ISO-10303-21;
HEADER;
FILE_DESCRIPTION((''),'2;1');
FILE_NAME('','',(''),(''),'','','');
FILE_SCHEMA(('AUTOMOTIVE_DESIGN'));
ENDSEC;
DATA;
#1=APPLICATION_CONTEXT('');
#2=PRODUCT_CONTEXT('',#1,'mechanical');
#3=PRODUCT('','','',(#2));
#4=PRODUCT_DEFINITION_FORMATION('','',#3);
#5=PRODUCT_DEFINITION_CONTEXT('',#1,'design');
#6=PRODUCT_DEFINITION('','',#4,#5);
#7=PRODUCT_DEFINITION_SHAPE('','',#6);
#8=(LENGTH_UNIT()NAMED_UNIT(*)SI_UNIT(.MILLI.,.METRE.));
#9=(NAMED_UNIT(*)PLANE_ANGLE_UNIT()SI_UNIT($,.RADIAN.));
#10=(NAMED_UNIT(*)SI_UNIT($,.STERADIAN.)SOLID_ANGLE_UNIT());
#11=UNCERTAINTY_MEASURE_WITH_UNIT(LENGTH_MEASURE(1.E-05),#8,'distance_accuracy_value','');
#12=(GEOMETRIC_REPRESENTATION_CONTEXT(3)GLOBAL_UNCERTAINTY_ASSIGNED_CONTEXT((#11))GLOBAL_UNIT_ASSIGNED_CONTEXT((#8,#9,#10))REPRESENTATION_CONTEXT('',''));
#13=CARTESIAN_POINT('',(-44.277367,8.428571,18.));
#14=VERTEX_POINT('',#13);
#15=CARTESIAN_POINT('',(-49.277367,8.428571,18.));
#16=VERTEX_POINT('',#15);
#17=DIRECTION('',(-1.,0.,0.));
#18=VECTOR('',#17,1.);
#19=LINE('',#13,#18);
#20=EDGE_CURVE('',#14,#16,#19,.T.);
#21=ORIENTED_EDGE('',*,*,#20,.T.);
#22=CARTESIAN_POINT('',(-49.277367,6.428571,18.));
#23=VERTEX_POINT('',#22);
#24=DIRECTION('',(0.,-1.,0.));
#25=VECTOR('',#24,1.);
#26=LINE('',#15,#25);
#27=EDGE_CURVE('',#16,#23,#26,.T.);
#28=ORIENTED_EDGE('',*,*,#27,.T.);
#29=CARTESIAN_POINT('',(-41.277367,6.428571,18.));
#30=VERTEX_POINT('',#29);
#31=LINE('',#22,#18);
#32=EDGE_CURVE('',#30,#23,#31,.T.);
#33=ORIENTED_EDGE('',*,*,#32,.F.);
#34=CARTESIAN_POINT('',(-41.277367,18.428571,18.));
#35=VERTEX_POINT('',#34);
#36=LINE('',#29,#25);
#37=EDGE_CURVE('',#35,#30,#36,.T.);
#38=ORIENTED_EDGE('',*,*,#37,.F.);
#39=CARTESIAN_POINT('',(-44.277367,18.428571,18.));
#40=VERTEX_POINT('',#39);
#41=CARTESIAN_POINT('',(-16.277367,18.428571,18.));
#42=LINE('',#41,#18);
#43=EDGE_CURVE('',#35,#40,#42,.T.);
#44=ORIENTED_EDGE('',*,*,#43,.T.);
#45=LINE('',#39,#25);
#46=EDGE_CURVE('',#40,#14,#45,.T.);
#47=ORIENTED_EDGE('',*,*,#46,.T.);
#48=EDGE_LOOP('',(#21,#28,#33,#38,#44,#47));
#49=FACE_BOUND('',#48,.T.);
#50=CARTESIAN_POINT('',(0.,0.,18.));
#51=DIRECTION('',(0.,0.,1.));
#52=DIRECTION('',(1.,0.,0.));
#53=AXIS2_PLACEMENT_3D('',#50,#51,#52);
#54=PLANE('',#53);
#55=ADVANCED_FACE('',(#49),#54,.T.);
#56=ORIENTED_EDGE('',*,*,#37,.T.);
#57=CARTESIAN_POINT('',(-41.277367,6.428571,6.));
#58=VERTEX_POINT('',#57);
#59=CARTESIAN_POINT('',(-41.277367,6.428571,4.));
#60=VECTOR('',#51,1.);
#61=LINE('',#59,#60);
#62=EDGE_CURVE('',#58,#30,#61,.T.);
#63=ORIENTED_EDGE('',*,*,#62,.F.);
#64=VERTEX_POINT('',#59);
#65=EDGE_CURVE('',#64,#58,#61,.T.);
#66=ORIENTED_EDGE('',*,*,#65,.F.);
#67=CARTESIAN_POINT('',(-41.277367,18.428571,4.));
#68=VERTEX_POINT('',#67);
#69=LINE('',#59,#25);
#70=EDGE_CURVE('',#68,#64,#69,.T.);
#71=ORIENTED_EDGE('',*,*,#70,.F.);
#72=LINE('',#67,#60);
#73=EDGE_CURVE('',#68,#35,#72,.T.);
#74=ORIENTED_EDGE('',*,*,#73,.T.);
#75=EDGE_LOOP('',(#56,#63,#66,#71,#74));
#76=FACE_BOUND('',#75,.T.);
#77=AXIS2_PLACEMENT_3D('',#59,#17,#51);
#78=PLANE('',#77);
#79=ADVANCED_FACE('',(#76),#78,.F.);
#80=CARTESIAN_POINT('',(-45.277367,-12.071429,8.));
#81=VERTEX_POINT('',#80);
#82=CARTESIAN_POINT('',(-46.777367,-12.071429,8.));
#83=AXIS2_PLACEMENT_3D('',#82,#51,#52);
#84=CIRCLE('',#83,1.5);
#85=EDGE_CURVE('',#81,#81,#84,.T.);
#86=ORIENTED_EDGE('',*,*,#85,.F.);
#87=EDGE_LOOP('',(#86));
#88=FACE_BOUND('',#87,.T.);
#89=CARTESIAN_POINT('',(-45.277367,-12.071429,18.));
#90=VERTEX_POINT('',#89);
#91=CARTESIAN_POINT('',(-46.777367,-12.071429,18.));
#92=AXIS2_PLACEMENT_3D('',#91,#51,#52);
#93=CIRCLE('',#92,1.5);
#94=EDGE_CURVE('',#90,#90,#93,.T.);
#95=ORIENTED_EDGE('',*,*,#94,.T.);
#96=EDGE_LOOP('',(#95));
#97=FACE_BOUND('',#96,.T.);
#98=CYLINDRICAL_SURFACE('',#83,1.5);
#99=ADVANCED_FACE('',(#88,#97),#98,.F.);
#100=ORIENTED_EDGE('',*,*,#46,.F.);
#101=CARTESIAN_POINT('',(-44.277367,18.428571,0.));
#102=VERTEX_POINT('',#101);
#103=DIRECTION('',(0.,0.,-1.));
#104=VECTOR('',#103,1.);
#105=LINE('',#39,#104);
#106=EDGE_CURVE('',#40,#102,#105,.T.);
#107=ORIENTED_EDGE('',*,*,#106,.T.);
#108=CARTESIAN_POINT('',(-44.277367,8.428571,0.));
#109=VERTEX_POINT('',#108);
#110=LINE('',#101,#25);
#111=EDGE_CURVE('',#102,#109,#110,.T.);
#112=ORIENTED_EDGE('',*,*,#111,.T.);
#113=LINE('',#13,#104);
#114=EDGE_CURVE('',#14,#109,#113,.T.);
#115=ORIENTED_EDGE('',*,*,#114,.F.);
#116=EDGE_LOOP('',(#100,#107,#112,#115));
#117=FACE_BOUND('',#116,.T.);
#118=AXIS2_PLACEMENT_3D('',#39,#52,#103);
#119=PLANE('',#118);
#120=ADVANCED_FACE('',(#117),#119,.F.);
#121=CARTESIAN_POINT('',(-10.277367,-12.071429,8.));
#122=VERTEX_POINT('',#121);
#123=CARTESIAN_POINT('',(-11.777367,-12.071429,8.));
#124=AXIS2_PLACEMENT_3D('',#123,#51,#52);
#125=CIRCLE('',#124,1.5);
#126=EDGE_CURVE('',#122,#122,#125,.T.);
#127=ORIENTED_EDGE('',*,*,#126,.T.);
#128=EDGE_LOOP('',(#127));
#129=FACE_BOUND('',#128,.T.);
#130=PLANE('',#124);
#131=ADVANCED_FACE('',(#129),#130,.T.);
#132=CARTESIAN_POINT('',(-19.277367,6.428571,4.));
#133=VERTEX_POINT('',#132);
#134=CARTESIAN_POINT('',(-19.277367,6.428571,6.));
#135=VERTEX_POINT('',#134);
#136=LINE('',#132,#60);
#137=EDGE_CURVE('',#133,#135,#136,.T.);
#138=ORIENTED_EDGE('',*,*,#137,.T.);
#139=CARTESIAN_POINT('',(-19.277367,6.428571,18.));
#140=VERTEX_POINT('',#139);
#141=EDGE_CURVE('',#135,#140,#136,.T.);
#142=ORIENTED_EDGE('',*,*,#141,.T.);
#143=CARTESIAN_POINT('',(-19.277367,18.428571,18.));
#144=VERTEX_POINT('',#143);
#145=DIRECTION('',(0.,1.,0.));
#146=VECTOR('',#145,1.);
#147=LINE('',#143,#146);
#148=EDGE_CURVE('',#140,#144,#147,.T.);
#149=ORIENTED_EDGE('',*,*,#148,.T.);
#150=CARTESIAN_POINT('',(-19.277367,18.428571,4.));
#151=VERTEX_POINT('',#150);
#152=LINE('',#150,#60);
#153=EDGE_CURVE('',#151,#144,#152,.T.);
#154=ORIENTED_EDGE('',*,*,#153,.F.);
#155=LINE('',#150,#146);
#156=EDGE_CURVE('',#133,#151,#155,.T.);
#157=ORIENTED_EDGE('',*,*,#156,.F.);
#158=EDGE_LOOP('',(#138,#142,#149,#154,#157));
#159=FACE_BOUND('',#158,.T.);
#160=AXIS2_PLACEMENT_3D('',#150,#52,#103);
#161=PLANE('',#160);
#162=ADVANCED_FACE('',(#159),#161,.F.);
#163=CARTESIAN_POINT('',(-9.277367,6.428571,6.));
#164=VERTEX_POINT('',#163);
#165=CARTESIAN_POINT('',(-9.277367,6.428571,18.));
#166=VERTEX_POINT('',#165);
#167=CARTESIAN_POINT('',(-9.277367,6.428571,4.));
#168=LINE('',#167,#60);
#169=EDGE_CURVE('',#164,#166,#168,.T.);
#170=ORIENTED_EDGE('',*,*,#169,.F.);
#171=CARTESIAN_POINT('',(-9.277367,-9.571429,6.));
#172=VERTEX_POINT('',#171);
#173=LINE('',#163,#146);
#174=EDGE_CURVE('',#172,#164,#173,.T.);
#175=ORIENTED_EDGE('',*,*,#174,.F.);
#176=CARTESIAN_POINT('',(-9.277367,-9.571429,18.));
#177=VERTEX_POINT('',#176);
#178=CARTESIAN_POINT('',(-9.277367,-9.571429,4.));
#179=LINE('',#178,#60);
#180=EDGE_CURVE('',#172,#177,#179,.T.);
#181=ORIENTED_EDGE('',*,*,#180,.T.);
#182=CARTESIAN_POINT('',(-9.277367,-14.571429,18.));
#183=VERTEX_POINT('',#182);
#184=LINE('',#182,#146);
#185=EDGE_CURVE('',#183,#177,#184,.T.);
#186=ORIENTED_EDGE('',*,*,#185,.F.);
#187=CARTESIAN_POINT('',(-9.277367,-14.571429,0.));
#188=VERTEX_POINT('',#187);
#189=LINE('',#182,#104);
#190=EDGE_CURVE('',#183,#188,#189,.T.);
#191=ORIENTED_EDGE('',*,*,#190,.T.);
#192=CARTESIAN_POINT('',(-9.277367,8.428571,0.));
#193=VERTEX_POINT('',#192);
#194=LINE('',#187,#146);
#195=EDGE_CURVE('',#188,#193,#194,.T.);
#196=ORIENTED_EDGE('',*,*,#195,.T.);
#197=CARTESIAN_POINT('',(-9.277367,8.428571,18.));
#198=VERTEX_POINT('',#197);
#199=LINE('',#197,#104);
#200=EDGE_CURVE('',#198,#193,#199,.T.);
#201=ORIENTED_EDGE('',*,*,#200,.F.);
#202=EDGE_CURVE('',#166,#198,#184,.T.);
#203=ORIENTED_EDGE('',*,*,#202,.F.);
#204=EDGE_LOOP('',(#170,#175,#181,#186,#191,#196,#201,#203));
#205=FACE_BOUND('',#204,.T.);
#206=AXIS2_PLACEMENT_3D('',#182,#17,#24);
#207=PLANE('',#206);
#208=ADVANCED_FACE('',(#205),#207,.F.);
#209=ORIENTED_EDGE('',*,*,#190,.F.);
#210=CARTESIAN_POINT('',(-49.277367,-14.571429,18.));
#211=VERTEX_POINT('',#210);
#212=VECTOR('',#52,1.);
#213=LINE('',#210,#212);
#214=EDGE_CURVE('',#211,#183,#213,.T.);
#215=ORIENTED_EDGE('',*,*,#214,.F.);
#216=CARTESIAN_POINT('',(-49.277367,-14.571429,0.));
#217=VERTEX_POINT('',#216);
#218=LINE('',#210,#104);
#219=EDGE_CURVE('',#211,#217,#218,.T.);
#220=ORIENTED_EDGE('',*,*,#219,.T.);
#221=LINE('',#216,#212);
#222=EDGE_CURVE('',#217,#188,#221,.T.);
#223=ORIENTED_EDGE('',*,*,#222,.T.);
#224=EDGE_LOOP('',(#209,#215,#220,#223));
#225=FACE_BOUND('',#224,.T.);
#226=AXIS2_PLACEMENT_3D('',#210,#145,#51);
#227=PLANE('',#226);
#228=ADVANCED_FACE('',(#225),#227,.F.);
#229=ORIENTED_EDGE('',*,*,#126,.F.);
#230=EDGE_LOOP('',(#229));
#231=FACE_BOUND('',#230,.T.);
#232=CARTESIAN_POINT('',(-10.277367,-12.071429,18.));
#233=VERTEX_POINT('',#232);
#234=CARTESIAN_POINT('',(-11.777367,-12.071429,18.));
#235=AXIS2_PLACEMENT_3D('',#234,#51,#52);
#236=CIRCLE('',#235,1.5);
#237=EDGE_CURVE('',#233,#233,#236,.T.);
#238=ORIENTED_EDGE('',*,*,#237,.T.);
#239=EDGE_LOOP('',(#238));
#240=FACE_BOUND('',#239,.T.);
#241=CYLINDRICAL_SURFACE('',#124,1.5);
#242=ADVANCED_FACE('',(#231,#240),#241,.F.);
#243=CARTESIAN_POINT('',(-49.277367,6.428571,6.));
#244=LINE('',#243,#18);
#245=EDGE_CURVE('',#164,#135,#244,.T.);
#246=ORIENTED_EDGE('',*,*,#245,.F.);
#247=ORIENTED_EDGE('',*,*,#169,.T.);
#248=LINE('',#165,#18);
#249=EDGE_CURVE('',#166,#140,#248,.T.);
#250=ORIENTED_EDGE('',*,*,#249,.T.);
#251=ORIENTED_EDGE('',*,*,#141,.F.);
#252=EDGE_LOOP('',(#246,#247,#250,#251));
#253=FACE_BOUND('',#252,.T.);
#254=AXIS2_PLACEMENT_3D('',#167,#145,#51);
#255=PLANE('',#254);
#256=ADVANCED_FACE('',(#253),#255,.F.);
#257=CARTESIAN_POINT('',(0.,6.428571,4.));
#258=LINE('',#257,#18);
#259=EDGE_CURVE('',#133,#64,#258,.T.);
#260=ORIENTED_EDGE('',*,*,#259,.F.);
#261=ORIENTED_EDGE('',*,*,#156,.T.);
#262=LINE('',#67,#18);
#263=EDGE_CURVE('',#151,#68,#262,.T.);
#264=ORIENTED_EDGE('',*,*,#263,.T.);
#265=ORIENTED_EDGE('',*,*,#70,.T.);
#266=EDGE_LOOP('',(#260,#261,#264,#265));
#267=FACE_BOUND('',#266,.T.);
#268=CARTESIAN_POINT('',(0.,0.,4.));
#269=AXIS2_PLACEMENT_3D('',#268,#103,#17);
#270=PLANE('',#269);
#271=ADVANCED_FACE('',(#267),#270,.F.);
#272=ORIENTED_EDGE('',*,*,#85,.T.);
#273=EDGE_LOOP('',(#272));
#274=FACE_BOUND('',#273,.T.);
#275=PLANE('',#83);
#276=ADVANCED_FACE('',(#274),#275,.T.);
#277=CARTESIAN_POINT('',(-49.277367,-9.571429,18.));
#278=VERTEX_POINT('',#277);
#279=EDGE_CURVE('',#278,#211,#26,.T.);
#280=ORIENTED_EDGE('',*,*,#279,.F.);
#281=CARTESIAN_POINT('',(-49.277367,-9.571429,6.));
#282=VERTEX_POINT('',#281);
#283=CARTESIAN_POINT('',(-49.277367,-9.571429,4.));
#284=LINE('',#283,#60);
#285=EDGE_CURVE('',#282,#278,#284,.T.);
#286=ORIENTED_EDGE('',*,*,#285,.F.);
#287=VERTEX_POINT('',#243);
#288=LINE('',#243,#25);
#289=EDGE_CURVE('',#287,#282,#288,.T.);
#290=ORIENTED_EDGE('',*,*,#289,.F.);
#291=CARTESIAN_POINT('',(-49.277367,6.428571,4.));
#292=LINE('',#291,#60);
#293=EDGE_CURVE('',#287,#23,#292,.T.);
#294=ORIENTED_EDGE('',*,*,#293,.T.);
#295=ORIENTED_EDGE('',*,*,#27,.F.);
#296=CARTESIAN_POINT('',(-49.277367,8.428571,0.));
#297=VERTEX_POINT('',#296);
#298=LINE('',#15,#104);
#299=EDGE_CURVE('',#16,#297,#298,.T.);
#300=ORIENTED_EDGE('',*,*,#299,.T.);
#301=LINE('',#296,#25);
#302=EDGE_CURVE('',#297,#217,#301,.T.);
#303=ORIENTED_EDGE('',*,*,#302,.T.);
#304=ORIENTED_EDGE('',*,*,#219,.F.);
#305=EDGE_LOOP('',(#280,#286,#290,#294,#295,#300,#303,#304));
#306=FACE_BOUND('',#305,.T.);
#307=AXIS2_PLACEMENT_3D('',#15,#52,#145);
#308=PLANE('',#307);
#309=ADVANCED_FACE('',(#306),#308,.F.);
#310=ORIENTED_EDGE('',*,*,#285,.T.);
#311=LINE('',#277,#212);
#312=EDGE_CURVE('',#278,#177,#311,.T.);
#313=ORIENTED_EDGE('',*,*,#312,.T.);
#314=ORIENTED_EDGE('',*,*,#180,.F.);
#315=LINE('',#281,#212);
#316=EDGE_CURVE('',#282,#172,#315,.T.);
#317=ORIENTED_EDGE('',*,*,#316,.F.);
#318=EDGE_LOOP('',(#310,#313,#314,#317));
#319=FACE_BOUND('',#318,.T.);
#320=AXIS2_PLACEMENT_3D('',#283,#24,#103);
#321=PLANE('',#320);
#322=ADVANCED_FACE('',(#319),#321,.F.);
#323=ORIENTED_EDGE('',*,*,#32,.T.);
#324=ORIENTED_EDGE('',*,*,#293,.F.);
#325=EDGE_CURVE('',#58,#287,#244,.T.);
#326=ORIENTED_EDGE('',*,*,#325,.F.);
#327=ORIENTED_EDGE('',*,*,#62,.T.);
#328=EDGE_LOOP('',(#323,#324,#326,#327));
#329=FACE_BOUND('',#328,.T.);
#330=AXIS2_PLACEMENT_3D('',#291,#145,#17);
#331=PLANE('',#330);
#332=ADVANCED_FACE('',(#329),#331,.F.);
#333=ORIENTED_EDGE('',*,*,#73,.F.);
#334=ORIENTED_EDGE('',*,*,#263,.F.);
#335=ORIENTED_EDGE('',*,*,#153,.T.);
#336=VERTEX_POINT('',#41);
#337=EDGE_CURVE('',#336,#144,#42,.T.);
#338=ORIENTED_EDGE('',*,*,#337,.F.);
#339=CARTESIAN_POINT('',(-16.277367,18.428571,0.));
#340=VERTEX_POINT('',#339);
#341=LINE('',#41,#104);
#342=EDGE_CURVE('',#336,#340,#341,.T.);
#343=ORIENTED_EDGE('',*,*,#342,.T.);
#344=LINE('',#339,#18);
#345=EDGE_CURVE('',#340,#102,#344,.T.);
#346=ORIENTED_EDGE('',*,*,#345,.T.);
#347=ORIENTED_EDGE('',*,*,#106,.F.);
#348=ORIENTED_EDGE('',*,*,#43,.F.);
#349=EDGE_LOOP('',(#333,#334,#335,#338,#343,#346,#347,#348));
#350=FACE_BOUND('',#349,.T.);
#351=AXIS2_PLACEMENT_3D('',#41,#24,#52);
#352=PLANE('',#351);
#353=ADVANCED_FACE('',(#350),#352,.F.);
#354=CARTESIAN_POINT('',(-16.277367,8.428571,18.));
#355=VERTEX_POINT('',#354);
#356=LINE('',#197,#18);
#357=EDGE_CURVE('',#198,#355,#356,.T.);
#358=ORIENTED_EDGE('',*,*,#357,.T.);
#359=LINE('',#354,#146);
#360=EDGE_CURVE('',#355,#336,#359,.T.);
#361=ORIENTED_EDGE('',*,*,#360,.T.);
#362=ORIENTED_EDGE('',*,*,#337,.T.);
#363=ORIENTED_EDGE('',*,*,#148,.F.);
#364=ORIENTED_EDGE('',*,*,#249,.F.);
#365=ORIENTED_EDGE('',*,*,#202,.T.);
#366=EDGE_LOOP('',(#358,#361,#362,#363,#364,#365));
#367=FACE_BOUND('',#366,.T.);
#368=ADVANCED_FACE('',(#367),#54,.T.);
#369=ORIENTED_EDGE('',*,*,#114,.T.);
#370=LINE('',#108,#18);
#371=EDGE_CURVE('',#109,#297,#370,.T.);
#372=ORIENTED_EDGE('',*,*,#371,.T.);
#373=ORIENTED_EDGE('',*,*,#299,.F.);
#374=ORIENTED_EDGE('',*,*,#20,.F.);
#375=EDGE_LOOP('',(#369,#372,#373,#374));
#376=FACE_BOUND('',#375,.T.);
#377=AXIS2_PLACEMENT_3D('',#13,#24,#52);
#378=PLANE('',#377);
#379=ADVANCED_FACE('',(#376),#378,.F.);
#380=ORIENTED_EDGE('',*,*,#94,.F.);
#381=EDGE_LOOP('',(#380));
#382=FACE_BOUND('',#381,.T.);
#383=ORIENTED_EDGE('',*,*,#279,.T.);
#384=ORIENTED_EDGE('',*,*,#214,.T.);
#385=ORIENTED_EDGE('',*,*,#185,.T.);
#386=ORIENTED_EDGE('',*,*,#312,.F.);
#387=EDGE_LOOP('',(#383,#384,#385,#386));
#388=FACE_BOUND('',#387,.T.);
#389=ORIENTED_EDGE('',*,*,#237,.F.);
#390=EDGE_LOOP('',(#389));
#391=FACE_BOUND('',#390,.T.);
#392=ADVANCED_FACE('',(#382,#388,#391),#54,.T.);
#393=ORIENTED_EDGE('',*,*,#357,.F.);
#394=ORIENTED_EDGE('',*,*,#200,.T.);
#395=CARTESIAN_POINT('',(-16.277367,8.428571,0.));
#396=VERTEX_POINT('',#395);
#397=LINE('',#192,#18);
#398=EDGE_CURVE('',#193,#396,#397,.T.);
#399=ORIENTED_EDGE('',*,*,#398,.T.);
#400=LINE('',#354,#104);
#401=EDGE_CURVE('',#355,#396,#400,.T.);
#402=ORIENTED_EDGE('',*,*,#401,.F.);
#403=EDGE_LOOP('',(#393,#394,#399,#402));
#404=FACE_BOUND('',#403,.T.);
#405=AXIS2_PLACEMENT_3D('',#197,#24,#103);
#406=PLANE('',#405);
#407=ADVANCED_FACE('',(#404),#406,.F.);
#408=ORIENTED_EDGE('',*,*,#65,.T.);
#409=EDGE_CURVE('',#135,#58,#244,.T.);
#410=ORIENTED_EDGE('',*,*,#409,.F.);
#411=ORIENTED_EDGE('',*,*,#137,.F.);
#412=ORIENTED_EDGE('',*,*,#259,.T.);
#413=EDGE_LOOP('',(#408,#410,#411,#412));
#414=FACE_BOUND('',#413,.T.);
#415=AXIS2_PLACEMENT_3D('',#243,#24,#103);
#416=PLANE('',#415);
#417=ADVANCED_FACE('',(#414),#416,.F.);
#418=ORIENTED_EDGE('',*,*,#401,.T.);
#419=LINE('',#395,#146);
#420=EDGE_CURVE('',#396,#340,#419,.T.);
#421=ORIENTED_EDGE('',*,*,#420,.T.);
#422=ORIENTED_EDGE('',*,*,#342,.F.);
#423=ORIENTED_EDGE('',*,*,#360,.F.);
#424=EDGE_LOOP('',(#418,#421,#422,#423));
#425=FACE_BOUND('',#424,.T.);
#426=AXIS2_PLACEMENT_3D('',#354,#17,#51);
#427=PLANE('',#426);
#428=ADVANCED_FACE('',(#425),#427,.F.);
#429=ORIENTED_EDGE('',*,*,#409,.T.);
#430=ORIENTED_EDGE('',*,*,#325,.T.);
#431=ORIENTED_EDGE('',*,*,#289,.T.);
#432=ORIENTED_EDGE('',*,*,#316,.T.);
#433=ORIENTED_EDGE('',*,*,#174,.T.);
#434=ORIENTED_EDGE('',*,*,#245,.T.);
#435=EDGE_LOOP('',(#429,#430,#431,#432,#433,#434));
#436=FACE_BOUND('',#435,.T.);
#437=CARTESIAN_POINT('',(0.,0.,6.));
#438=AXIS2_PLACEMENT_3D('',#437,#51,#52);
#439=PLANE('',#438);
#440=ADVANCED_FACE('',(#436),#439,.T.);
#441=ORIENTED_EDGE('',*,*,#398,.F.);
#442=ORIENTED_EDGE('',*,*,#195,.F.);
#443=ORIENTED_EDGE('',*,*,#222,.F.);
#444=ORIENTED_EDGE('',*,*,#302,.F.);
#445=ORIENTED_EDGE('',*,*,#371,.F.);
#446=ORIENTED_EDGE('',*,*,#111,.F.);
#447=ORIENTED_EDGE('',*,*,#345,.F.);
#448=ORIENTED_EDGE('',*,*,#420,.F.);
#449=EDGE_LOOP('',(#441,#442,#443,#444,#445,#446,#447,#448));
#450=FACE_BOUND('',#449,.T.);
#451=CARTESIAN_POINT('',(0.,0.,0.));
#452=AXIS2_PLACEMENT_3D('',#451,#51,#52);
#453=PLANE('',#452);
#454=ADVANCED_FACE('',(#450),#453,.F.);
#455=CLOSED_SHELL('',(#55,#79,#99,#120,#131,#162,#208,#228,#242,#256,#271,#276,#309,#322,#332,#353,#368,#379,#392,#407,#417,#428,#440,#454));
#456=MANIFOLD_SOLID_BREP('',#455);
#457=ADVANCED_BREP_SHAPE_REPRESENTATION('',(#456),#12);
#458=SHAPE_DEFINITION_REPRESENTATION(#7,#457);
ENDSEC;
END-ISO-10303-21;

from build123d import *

# Parameters (mm, degrees)
SALIENTE_EXTRUIR1_DEPTH = 18
CORTAR_EXTRUIR1_DEPTH   = 14
CROQUIS3_W              = 40
CROQUIS3_H              = 16
SALIENTE_EXTRUIR2_DEPTH = 2
CROQUIS10_R             = 1.5
CORTAR_EXTRUIR2_DEPTH   = 10


with BuildPart() as part:
    # Croquis1 → Saliente-Extruir1 (new body)
    with BuildSketch(Plane.XY):
        Polygon((-49.27736704, 8.428571429), (-49.27736704, -14.571428571), (-9.27736704, -14.571428571), (-9.27736704, 8.428571429), (-16.27736704, 8.428571429), (-16.27736704, 18.428571429), (-44.27736704, 18.428571429), (-44.27736704, 8.428571429), align=None)
    extrude(amount=SALIENTE_EXTRUIR1_DEPTH)

    # Croquis2 → Cortar-Extruir1 (cut)
    with BuildSketch(Plane.XY.offset(18)):
        Polygon((-9.27736704, 6.428571429), (-9.27736704, -9.571428571), (-49.27736704, -9.571428571), (-49.27736704, 6.428571429), (-41.27736704, 6.428571429), (-41.27736704, 18.428571429), (-19.27736704, 18.428571429), (-19.27736704, 6.428571429), align=None)
    extrude(amount=-CORTAR_EXTRUIR1_DEPTH, mode=Mode.SUBTRACT)

    # Croquis3 → Saliente-Extruir2 (add)
    with BuildSketch(Plane.XY.offset(4)):
        with Locations((-29.27736704, -1.571428571)):
            Rectangle(CROQUIS3_W, CROQUIS3_H)
    extrude(amount=SALIENTE_EXTRUIR2_DEPTH)

    # Croquis10 → Cortar-Extruir2 (cut)
    with BuildSketch(Plane.XY.offset(18)):
        with Locations((-46.77736704, -12.071428571)):
            Circle(CROQUIS10_R)
        with Locations((-11.77736704, -12.071428571)):
            Circle(CROQUIS10_R)
    extrude(amount=-CORTAR_EXTRUIR2_DEPTH, mode=Mode.SUBTRACT)


solid = part.part
